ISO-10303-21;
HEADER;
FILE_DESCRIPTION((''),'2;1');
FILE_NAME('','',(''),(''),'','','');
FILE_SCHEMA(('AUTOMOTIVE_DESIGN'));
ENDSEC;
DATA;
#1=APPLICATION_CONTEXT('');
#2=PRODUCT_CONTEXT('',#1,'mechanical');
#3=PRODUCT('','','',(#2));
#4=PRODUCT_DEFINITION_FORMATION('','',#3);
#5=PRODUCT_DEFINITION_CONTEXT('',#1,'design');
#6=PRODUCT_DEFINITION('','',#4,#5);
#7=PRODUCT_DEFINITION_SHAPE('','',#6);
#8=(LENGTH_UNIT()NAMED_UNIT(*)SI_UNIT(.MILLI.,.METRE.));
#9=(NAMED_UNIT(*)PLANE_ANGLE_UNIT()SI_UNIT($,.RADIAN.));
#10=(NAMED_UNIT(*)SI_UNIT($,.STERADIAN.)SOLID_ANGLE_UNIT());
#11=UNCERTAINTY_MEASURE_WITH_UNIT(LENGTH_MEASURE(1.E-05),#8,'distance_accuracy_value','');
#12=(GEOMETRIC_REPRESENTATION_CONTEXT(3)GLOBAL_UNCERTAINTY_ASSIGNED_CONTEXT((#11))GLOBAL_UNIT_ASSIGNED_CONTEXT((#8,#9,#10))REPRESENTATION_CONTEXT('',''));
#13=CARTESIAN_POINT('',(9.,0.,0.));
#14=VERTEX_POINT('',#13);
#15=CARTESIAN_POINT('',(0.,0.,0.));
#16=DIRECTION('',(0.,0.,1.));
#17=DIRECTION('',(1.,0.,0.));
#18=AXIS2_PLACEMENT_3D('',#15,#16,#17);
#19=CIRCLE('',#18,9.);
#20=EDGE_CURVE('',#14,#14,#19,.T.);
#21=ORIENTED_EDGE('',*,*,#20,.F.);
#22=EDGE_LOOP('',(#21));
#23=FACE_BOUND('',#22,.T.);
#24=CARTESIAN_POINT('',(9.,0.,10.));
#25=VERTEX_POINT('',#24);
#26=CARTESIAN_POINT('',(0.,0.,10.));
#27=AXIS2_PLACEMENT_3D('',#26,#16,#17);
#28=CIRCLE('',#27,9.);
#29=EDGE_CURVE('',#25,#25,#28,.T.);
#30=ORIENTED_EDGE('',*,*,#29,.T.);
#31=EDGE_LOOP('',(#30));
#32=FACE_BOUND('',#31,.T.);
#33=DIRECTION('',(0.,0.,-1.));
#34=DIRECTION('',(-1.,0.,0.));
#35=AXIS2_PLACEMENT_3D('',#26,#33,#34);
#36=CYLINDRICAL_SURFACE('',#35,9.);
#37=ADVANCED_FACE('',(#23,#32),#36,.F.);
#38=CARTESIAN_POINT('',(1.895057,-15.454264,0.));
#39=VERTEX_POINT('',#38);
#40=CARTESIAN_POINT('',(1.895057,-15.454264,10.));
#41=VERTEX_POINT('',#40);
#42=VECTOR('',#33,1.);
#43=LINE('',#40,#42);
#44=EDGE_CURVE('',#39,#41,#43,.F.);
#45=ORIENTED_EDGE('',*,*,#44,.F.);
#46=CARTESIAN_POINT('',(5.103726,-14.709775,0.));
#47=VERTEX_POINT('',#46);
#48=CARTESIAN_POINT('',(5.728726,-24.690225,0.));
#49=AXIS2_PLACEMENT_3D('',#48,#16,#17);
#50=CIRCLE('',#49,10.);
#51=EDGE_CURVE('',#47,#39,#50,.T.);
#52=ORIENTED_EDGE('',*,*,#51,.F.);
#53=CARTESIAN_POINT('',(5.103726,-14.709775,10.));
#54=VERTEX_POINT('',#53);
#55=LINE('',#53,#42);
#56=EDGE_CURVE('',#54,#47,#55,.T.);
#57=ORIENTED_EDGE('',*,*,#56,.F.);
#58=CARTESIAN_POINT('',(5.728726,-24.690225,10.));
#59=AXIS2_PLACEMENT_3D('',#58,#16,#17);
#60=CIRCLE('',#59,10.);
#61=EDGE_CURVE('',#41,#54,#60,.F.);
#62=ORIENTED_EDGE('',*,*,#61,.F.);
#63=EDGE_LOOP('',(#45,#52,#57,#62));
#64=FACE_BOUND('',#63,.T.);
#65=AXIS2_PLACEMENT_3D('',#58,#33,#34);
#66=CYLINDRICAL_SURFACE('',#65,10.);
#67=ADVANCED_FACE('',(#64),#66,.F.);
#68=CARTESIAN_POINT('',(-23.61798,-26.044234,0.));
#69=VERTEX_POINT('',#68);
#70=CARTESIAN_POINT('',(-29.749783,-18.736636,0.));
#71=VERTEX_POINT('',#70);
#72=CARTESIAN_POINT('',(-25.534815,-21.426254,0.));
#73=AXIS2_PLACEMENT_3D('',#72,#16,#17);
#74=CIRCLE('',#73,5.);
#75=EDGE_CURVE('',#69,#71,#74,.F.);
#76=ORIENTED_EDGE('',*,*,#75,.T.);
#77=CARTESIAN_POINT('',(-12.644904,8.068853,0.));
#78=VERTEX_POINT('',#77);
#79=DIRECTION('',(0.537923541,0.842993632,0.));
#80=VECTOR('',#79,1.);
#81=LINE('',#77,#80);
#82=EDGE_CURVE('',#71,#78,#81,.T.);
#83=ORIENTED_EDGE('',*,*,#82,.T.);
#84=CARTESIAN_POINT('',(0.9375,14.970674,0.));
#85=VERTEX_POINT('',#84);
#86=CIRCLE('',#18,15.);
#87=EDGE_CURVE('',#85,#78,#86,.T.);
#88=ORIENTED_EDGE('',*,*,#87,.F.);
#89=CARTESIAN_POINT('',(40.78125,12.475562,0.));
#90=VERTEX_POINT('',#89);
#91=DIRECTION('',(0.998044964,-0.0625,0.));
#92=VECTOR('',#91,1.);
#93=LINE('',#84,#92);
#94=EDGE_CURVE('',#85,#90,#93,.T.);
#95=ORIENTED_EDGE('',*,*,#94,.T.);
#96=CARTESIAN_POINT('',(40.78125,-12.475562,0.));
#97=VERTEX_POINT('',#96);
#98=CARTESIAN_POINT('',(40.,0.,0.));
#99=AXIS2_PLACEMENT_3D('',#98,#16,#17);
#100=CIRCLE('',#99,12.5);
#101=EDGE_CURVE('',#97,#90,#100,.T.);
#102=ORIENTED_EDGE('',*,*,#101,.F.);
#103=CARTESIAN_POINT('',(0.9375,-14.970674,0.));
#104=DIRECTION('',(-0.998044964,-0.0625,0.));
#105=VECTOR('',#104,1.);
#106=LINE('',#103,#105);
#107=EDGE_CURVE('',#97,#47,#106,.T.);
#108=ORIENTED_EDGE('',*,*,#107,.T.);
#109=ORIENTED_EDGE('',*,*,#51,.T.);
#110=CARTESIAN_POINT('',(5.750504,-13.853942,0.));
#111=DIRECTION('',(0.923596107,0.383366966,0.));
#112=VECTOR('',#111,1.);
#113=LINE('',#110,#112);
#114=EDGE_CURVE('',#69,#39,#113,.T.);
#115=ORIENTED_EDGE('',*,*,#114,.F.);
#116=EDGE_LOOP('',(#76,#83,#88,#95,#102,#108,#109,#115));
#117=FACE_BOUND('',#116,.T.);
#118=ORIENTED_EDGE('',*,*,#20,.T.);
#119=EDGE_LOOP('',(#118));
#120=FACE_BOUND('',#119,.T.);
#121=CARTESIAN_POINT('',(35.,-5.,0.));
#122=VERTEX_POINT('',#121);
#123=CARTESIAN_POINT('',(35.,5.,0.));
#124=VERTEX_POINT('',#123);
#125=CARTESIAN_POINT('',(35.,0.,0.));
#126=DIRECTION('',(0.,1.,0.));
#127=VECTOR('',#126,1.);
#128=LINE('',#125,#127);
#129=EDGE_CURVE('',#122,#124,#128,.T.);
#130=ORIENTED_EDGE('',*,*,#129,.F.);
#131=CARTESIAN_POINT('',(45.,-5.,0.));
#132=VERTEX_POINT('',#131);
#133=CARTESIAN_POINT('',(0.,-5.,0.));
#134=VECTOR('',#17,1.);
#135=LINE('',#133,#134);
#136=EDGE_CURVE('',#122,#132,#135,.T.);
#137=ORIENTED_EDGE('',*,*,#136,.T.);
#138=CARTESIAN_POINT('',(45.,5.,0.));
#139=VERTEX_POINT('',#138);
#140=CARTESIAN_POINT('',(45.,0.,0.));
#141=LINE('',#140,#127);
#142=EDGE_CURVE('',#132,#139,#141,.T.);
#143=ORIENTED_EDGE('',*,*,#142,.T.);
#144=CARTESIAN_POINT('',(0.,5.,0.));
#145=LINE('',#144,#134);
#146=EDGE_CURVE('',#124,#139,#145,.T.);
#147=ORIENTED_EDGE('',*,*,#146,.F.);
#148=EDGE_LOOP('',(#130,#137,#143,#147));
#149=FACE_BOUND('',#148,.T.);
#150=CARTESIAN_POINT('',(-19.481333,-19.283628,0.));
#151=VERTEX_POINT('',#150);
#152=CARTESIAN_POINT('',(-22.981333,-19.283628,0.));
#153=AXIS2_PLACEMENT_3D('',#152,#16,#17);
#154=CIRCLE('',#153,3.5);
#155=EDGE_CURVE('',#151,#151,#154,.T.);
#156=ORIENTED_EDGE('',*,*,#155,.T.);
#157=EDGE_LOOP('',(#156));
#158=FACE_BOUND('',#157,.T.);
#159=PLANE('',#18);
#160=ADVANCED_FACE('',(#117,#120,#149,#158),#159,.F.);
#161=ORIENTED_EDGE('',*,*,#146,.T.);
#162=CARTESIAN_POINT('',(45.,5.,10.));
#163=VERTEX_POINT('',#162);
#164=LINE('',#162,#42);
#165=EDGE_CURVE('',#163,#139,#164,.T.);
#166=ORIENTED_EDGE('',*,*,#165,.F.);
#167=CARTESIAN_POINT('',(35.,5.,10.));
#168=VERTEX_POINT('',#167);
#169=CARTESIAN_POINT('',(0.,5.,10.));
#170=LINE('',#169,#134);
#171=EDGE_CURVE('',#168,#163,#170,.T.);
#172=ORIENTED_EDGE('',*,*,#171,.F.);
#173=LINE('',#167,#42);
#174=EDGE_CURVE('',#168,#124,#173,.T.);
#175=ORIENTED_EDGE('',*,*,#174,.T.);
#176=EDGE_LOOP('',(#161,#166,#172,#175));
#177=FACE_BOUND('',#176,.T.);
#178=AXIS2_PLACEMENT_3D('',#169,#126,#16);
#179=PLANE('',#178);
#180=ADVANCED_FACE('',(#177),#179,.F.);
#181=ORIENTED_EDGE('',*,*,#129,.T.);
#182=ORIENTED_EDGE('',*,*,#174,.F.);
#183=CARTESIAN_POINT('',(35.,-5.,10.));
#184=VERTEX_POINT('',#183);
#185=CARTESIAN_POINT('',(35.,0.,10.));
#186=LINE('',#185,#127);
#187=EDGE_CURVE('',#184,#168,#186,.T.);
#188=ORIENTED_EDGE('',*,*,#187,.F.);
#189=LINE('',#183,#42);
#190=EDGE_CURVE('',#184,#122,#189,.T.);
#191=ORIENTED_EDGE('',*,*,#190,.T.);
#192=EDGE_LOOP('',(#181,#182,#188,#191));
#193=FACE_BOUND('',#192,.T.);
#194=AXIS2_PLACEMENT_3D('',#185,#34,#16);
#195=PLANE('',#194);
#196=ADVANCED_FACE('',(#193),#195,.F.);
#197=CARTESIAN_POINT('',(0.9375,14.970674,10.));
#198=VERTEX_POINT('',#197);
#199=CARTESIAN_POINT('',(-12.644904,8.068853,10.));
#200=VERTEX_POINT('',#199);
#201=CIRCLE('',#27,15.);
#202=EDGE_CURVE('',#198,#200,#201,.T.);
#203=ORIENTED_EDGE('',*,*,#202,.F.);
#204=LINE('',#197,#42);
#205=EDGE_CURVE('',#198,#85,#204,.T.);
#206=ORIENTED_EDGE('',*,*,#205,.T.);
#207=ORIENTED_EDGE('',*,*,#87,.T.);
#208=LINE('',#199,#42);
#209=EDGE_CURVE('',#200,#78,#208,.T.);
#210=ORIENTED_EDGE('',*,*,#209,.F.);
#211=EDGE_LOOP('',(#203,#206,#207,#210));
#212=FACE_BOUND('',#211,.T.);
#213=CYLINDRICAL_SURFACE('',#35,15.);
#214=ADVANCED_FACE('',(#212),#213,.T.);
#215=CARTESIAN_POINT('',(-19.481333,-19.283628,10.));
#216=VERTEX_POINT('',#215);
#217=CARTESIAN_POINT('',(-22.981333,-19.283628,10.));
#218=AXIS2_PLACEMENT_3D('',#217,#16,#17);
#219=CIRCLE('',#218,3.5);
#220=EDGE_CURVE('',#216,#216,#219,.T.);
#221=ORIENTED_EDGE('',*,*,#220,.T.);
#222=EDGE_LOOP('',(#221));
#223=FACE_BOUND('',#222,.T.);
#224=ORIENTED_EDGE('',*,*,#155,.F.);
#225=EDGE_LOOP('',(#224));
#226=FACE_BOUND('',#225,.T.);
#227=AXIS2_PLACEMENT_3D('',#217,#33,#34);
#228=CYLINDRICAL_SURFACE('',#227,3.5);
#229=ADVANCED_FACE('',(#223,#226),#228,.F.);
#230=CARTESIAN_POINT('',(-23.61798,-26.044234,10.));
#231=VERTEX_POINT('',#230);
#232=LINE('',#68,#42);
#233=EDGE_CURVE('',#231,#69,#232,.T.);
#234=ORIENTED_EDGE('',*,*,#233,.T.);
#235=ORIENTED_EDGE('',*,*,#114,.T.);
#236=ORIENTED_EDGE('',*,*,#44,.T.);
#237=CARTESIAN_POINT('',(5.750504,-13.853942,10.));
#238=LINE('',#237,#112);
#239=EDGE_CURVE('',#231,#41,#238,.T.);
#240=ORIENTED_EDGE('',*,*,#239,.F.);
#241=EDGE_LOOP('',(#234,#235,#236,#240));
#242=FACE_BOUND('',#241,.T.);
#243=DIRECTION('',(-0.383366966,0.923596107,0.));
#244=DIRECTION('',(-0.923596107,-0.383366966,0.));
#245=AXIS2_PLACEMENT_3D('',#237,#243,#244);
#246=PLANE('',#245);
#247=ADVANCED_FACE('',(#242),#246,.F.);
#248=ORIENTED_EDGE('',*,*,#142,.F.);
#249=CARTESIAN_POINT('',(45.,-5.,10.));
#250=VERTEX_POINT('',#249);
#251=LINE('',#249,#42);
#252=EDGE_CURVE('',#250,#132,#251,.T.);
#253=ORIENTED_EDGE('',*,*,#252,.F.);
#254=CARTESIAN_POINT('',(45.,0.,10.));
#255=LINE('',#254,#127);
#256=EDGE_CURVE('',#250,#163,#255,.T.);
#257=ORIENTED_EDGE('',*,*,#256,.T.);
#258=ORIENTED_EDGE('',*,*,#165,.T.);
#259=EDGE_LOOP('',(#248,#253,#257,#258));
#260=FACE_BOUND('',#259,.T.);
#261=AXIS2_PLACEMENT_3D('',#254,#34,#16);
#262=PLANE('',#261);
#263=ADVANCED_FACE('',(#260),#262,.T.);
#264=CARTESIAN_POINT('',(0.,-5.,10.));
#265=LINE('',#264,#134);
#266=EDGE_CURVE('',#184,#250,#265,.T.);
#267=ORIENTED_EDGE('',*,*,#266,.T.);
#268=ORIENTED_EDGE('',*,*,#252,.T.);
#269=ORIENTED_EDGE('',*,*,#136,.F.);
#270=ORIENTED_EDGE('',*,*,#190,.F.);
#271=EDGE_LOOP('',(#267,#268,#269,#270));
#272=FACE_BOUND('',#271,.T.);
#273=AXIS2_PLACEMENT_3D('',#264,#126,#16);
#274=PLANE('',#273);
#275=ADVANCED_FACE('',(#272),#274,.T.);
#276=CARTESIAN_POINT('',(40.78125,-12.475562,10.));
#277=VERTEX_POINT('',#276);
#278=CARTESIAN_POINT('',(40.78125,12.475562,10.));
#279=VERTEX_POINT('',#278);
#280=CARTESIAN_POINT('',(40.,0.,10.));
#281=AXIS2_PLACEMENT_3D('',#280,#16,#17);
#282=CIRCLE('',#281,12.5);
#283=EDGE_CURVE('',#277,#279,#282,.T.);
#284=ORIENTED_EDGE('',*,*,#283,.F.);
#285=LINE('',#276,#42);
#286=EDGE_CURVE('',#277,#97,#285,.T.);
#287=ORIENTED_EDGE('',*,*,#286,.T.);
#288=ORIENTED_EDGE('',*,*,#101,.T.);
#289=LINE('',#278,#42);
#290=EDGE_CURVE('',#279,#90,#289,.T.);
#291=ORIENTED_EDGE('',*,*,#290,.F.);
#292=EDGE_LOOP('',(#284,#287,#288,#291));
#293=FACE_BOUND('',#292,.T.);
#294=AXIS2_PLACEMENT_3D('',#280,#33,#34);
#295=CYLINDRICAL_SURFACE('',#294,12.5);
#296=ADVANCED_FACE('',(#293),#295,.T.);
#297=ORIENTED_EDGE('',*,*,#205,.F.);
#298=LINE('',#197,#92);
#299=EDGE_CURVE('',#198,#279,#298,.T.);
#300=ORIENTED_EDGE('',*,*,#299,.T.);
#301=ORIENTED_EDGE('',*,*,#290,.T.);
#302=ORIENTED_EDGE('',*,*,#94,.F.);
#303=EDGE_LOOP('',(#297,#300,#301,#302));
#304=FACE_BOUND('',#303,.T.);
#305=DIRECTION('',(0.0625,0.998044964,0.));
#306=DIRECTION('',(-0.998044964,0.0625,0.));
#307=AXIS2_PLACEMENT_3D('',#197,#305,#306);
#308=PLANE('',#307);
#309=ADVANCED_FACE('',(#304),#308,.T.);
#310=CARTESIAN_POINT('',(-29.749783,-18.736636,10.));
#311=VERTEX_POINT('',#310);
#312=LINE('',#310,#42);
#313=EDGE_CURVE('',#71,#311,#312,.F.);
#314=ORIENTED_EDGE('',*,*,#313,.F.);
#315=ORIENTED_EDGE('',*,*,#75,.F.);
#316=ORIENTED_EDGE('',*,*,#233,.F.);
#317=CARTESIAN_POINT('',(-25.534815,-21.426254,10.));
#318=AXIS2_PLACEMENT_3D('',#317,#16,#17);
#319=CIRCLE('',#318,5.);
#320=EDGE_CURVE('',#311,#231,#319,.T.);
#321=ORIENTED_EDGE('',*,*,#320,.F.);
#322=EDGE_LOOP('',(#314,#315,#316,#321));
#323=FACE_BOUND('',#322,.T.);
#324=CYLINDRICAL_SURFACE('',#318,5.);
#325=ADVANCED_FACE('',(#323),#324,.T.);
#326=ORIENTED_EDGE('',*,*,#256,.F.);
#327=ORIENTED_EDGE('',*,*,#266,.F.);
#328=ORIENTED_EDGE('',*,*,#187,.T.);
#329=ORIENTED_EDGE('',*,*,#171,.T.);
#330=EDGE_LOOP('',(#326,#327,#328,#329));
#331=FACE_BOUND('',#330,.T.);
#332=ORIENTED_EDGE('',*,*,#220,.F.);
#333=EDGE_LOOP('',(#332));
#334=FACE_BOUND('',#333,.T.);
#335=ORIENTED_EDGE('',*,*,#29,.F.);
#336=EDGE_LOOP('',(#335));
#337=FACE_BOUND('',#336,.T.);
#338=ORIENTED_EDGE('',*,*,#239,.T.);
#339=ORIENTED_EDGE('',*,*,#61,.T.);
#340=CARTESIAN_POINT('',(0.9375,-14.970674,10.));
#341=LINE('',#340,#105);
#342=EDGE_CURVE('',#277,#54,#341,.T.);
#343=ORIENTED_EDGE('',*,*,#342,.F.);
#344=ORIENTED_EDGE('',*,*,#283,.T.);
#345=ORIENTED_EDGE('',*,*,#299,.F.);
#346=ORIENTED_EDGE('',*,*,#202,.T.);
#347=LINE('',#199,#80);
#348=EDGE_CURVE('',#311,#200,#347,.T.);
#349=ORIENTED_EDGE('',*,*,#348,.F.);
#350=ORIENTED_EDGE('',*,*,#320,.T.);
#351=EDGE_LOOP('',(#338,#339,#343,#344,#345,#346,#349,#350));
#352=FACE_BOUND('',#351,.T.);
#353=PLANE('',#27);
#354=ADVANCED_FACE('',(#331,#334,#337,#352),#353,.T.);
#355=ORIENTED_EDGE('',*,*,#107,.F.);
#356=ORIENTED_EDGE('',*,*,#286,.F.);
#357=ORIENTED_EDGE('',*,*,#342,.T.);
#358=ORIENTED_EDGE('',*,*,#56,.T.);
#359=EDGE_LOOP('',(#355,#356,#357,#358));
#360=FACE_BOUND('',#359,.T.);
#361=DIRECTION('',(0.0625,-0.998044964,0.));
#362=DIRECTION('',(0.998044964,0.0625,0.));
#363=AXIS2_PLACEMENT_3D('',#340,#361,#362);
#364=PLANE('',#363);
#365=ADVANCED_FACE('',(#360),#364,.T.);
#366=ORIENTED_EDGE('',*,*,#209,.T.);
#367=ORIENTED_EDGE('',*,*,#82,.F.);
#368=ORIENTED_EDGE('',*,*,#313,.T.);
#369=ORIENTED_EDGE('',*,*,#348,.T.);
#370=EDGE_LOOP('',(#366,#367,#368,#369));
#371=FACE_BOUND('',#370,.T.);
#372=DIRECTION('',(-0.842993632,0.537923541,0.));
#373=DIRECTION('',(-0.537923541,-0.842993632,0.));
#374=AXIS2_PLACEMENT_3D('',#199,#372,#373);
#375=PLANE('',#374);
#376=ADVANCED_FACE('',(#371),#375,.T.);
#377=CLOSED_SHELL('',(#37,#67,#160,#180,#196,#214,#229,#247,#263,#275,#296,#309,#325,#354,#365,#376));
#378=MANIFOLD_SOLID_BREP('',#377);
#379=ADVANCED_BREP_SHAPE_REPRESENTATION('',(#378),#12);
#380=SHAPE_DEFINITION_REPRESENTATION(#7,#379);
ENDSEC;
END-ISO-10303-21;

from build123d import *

# Parameters (mm, degrees)
SKETCH_1_R      = 6
SKETCH_1_R_2    = 3.5
SKETCH_1_R_3    = 15
SKETCH_1_R_4    = 9
SKETCH_1_R_5    = 12.5
SKETCH_1_W      = 10
SKETCH_1_H      = 10
EXTRUDE_1_DEPTH = 10
FILLET_1_R      = 5
FILLET_2_R      = 10


with BuildPart() as part:
    # Эскиз1 → Бобышка-Вытянуть1 (new body)
    # profile 1 of 7: a face of its own
    with BuildSketch(Plane.XY):
        with BuildLine():
            Line((-12.64490448, 8.068853121), (-28.039295072, -16.056087022))
            ThreePointArc((-28.039295072, -16.056087022), (-21.300228103, -13.523950753), (-16.981333294, -19.283628291))
            ThreePointArc((-16.981333294, -19.283628291), (-17.991282662, -22.615203698), (-20.681131524, -24.825204945))
            Line((-20.681131524, -24.825204945), (3.437235755, -14.814134934))
            Line((3.437235755, -14.814134934), (0.9375, -14.970674459))
            ThreePointArc((0.9375, -14.970674459), (-12.921717676, -7.617690746), (-12.64490448, 8.068853121))
        make_face()
    # profile 2 of 7: a face of its own
    with BuildSketch(Plane.XY):
        with Locations((-22.981333294, -19.283628291)):
            Circle(SKETCH_1_R)
        with Locations((-22.981333294, -19.283628291)):
            Circle(SKETCH_1_R_2, mode=Mode.SUBTRACT)
    # profile 3 of 7: a face of its own
    with BuildSketch(Plane.XY):
        with BuildLine():
            Line((-28.039295072, -16.056087022), (-38.302222156, -32.139380484))
            Line((-38.302222156, -32.139380484), (-20.681131524, -24.825204945))
            ThreePointArc((-20.681131524, -24.825204945), (-27.57759997, -23.140353928), (-28.039295072, -16.056087022))
        make_face()
    # profile 4 of 7: a face of its own
    with BuildSketch(Plane.XY):
        Circle(SKETCH_1_R_3)
        Circle(SKETCH_1_R_4, mode=Mode.SUBTRACT)
    # profile 5 of 7: a face of its own
    with BuildSketch(Plane.XY):
        with BuildLine():
            Line((5.750504492, -13.853941608), (3.437235755, -14.814134934))
            Line((3.437235755, -14.814134934), (40.78125, -12.475562049))
            ThreePointArc((40.78125, -12.475562049), (27.5, 0), (40.78125, 12.475562049))
            Line((40.78125, 12.475562049), (0.9375, 14.970674459))
            ThreePointArc((0.9375, 14.970674459), (10.933034803, 10.269797953), (15, 0))
            ThreePointArc((15, 0), (12.4751266, -8.328938486), (5.750504492, -13.853941608))
        make_face()
    # profile 6 of 7: a face of its own
    with BuildSketch(Plane.XY):
        with Locations((40, 0)):
            Circle(SKETCH_1_R_5)
        with Locations((40, 0)):
            Rectangle(SKETCH_1_W, SKETCH_1_H, mode=Mode.SUBTRACT)
    # profile 7 of 7: a face of its own
    with BuildSketch(Plane.XY):
        with BuildLine():
            Line((0.9375, -14.970674459), (3.437235755, -14.814134934))
            Line((3.437235755, -14.814134934), (5.750504492, -13.853941608))
            ThreePointArc((5.750504492, -13.853941608), (3.390298525, -14.611840264), (0.9375, -14.970674459))
        make_face()
    extrude(amount=EXTRUDE_1_DEPTH)

    # Скругление1
    fillet_1_edges = [part.edges().sort_by_distance(p)[0] for p in [
        (-38.302222156, -32.139380484, 5),
    ]]
    fillet(fillet_1_edges, radius=FILLET_1_R)

    # Скругление2
    fillet_2_edges = [part.edges().sort_by_distance(p)[0] for p in [
        (3.437235755, -14.814134934, 5),
    ]]
    fillet(fillet_2_edges, radius=FILLET_2_R)


solid = part.part
